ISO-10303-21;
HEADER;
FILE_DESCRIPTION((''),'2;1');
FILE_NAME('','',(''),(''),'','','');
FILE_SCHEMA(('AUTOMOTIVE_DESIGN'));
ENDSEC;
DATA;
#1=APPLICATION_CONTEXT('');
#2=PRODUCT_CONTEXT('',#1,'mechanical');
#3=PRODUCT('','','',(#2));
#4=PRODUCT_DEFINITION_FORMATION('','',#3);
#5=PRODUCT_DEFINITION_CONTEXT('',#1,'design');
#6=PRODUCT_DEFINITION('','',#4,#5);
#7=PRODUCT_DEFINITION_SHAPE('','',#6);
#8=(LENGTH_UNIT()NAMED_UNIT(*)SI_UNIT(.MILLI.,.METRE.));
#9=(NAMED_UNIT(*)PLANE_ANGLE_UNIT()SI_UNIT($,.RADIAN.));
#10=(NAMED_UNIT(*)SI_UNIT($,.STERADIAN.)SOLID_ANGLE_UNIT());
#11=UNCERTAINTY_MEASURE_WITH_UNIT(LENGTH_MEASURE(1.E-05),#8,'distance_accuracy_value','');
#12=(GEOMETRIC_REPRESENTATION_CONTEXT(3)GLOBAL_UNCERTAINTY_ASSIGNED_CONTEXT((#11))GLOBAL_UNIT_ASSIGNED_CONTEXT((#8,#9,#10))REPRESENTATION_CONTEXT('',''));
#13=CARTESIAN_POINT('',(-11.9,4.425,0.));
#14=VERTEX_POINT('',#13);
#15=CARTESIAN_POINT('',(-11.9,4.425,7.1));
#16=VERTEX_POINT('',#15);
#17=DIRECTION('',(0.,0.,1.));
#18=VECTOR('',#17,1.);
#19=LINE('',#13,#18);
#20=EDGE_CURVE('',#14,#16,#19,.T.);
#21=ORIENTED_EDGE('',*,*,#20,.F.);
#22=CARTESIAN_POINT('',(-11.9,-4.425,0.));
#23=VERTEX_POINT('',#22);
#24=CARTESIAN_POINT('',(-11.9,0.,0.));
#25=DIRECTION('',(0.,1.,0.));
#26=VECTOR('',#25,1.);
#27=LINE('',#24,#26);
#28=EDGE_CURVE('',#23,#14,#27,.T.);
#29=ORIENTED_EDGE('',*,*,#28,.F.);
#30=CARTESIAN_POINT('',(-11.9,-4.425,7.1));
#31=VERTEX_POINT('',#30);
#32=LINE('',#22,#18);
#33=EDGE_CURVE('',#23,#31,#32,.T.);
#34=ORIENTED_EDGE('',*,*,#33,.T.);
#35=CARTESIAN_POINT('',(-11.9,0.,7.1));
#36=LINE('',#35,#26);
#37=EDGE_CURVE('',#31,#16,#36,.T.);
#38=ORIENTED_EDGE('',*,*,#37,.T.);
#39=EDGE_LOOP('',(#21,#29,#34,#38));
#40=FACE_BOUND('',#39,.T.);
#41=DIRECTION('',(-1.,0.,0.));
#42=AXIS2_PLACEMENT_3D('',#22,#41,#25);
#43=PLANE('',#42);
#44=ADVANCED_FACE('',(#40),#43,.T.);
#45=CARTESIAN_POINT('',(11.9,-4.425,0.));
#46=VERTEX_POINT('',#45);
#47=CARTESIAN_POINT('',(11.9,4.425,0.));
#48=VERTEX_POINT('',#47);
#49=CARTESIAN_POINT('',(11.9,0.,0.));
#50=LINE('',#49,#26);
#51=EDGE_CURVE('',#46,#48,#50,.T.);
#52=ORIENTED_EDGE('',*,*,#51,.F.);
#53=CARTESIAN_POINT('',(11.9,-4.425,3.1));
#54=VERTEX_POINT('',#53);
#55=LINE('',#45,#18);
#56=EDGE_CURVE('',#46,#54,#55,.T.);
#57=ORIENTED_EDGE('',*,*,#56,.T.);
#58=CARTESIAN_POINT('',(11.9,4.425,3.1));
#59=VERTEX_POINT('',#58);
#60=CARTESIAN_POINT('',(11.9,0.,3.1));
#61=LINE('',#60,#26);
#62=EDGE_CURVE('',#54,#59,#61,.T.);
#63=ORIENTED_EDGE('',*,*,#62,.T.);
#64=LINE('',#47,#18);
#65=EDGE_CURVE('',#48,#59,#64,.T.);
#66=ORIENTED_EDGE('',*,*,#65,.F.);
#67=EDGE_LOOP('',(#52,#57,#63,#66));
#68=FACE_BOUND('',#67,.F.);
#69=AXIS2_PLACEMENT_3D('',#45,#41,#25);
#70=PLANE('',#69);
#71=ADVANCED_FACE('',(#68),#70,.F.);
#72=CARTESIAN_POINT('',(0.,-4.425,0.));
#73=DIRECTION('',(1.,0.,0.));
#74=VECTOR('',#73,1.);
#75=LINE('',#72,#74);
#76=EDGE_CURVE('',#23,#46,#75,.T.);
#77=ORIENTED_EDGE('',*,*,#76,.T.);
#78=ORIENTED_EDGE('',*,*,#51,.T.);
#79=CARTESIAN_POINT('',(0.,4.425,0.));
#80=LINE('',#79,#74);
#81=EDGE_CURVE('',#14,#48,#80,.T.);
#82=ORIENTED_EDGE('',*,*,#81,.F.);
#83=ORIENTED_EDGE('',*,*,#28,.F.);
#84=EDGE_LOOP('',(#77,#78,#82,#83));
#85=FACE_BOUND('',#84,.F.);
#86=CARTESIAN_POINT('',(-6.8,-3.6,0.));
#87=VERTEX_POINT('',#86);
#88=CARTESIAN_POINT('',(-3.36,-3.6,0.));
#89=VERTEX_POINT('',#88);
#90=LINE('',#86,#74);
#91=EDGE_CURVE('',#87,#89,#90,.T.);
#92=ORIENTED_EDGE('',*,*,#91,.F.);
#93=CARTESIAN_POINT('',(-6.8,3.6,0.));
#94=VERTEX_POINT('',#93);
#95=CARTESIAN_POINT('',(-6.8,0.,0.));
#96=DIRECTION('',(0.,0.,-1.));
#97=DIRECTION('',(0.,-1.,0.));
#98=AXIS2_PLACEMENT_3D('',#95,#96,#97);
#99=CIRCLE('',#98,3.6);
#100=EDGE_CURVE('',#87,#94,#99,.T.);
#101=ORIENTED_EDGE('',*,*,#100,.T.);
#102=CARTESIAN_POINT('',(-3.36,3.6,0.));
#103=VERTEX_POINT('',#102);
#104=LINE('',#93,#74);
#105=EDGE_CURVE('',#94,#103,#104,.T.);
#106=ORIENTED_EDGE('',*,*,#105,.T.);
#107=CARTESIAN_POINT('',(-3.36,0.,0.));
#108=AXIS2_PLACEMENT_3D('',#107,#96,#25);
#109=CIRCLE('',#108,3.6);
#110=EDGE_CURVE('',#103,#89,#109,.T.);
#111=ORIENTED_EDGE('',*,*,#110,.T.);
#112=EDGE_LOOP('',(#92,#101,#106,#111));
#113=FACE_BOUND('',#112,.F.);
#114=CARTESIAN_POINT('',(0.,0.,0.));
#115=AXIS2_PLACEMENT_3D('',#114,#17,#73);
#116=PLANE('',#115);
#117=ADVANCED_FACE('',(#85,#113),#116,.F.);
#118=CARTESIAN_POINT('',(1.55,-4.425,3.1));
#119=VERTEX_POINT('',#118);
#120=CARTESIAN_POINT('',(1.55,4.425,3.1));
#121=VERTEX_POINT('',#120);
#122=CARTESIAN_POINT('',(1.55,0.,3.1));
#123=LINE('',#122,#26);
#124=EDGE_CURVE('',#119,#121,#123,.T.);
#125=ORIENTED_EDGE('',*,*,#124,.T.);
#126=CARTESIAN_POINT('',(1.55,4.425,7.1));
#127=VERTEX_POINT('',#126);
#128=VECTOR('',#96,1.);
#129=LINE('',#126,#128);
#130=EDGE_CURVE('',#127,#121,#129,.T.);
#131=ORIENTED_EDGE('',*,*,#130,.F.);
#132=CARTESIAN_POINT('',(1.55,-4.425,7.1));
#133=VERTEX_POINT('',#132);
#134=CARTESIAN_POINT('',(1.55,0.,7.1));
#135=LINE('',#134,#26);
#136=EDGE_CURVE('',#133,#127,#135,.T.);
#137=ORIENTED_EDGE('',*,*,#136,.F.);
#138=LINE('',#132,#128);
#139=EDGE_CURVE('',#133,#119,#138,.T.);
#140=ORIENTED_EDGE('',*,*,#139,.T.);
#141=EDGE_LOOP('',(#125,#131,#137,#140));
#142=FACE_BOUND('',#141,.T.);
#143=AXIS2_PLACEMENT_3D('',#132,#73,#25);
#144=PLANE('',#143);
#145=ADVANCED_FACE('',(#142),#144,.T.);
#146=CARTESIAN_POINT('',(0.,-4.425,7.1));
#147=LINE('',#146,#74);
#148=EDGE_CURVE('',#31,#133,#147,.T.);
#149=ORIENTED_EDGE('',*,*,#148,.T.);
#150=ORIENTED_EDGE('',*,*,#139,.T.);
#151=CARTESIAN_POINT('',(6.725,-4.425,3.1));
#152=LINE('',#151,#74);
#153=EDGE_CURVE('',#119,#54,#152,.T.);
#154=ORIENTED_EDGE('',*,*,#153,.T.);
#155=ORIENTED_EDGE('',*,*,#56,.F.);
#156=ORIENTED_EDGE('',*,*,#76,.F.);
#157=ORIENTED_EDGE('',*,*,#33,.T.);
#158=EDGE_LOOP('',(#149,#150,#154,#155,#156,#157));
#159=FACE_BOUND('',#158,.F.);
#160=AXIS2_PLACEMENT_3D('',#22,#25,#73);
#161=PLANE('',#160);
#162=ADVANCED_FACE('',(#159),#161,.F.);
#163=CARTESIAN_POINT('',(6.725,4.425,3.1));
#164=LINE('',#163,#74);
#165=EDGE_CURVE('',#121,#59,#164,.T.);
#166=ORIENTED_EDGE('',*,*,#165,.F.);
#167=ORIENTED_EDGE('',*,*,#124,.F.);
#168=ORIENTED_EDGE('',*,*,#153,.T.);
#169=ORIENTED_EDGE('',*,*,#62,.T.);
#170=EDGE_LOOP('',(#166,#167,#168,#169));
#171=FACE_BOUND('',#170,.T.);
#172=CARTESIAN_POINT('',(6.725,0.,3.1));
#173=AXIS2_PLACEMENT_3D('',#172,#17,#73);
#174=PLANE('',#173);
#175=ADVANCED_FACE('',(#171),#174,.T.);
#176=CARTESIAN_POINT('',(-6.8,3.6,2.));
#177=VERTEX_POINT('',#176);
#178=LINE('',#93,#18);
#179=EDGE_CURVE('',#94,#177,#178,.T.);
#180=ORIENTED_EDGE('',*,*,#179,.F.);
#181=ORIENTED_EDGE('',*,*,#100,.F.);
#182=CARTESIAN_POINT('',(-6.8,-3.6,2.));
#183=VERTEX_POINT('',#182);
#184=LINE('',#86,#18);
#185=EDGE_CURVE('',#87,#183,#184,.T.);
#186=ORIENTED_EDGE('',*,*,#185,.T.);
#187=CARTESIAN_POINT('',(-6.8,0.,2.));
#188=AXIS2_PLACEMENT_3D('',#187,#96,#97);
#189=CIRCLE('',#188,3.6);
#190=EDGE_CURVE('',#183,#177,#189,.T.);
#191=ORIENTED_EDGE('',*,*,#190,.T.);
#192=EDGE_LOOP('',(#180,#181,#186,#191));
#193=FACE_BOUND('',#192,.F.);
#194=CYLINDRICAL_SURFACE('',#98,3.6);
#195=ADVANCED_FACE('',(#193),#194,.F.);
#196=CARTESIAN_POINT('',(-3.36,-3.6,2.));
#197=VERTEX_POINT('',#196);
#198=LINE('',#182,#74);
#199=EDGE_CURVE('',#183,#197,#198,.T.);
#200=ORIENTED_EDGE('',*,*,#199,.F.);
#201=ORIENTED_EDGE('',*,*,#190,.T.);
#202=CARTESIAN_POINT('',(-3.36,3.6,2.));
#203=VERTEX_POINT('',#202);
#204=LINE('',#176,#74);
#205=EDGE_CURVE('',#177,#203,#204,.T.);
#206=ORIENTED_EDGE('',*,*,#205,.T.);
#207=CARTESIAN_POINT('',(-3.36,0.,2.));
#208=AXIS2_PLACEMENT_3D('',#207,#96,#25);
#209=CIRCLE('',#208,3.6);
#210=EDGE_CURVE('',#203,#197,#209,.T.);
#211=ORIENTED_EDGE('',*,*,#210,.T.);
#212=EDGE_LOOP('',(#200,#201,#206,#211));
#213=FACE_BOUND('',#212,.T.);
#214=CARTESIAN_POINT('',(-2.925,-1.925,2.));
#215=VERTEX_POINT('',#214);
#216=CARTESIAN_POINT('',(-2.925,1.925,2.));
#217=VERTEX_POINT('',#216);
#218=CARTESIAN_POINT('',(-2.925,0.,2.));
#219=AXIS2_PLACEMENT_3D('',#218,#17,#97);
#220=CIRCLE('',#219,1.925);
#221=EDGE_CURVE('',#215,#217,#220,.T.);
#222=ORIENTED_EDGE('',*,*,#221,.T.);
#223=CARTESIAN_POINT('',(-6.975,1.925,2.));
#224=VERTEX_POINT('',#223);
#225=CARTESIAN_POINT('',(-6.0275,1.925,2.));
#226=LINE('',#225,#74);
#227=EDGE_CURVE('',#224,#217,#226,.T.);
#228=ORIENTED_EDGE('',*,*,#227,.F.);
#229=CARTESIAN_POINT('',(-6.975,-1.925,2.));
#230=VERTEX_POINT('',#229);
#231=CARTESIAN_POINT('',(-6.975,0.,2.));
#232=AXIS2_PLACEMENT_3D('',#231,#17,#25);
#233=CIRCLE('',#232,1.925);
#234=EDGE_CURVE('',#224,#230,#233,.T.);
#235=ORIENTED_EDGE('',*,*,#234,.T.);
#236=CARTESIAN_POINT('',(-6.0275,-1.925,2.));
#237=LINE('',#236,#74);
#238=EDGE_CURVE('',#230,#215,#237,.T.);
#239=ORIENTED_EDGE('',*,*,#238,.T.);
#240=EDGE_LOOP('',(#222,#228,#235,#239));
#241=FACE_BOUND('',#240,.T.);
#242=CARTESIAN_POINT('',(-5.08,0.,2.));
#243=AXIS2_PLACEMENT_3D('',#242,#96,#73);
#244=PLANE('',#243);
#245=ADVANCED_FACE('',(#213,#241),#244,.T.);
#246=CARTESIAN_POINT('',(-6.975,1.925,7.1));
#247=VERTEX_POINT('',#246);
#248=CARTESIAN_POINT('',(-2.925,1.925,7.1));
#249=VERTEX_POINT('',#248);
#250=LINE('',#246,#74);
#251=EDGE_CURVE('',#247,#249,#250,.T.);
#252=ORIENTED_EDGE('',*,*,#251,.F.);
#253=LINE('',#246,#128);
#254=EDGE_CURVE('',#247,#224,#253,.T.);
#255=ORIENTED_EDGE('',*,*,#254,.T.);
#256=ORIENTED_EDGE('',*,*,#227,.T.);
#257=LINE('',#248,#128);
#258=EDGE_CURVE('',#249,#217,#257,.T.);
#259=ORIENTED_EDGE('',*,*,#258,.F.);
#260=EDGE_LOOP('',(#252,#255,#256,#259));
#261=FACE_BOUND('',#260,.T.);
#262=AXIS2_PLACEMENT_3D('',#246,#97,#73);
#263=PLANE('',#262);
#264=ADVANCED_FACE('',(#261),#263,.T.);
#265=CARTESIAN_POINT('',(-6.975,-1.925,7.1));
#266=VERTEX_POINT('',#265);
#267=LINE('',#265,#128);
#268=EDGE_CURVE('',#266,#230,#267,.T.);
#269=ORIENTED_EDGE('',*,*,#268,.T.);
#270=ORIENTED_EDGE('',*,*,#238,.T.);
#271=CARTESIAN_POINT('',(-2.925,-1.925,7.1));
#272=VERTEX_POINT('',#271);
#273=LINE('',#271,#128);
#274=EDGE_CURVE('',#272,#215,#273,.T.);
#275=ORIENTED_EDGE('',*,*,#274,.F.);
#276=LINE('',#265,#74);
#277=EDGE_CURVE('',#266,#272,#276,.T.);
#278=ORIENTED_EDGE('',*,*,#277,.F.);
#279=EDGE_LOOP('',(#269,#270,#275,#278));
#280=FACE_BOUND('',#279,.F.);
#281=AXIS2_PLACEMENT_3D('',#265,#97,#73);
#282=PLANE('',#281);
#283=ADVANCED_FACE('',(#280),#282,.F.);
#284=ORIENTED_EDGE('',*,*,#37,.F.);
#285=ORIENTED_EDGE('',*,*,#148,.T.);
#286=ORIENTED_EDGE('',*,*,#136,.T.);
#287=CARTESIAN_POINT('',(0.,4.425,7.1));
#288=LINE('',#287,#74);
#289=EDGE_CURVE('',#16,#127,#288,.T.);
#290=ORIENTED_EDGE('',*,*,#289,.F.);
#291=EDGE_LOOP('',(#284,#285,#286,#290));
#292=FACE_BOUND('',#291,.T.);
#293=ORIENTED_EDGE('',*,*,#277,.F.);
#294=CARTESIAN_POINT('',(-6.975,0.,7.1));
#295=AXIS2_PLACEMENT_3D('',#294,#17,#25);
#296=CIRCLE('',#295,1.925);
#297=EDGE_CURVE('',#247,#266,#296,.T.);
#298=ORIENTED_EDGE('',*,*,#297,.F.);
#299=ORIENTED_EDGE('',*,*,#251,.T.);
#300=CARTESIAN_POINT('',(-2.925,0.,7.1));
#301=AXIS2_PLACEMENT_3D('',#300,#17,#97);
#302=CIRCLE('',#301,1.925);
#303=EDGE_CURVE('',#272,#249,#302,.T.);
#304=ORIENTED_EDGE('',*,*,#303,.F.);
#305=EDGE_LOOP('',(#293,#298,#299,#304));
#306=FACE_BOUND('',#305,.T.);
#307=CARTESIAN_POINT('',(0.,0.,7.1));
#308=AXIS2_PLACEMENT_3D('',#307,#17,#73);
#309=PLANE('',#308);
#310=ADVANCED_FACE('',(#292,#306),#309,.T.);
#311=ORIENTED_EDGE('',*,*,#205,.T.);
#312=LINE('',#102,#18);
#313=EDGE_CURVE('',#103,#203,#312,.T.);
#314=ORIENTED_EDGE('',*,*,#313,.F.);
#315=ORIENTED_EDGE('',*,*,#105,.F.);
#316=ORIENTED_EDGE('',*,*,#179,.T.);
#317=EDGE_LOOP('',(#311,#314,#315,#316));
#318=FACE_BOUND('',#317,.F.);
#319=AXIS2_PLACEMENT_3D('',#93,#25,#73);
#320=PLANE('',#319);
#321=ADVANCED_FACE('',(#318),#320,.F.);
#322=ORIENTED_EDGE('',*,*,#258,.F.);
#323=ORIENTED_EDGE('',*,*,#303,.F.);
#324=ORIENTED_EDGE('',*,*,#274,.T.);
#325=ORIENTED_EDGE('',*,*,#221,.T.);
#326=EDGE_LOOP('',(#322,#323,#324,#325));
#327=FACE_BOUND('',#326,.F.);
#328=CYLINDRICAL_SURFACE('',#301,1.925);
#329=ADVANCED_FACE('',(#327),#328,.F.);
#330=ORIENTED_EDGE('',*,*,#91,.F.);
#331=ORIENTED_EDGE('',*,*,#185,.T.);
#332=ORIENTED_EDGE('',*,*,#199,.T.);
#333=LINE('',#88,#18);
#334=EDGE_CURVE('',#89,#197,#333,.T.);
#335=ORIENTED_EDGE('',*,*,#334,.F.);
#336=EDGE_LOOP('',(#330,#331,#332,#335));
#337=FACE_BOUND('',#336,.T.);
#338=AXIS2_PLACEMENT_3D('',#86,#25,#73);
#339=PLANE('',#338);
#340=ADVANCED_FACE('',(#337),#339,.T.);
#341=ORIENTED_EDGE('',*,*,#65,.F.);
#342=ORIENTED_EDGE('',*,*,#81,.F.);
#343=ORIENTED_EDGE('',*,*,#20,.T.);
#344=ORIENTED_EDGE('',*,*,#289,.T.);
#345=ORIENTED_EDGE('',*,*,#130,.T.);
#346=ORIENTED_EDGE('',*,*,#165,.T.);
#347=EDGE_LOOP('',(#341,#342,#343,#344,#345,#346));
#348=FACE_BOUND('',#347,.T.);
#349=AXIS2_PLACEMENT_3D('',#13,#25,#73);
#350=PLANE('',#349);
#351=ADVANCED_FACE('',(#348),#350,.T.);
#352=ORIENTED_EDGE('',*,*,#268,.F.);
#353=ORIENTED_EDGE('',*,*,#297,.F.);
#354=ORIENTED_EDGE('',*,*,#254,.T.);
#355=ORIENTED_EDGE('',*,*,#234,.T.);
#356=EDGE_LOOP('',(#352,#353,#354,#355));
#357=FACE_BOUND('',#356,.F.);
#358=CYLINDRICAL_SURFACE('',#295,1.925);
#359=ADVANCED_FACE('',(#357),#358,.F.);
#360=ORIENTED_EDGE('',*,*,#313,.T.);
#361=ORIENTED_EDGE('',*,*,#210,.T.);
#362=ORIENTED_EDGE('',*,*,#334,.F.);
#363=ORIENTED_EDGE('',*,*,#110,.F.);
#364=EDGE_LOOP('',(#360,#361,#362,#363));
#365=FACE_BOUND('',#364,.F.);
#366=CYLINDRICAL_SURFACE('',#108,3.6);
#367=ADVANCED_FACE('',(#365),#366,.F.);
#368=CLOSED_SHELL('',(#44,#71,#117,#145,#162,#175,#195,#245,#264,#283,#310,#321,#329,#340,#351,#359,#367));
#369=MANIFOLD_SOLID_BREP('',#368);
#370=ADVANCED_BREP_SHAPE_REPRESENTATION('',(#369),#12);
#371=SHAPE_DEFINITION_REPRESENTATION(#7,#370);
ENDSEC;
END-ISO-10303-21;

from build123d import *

# Parameters (mm, degrees)
SKETCH_W        = 23.8
SKETCH_H        = 8.85
PAD_DEPTH       = 7.1
SKETCH001_W     = 10.35
SKETCH001_H     = 8.85
POCKET_DEPTH    = 4
POCKET001_DEPTH = 7.101
POCKET002_DEPTH = 2


with BuildPart() as part:
    # Sketch → Pad (new body)
    with BuildSketch(Plane.XY):
        Rectangle(SKETCH_W, SKETCH_H)
    extrude(amount=PAD_DEPTH)

    # Sketch001 → Pocket (cut)
    with BuildSketch(Plane.XY.offset(7.1)):
        with Locations((6.725, 0)):
            Rectangle(SKETCH001_W, SKETCH001_H)
    extrude(amount=-POCKET_DEPTH, mode=Mode.SUBTRACT)

    # Sketch002 → Pocket001 (cut, through all)
    with BuildSketch(Plane.XY.offset(7.1)):
        with BuildLine():
            ThreePointArc((-6.975, 1.925), (-8.9, 0), (-6.975, -1.925))
            Line((-6.975, -1.925), (-2.925, -1.925))
            ThreePointArc((-2.925, -1.925), (-1, 0), (-2.925, 1.925))
            Line((-6.975, 1.925), (-2.925, 1.925))
        make_face()
    extrude(amount=-POCKET001_DEPTH, mode=Mode.SUBTRACT)

    # Sketch003 → Pocket002 (cut)
    with BuildSketch(Plane(origin=(0, 0, 0), x_dir=(1, 0, 0), z_dir=(0, 0, -1))):
        with BuildLine():
            ThreePointArc((-6.8, 3.6), (-10.4, 0), (-6.8, -3.6))
            Line((-6.8, -3.6), (-3.36, -3.6))
            ThreePointArc((-3.36, -3.6), (0.24, 0), (-3.36, 3.6))
            Line((-6.8, 3.6), (-3.36, 3.6))
        make_face()
    extrude(amount=-POCKET002_DEPTH, mode=Mode.SUBTRACT)


solid = part.part
